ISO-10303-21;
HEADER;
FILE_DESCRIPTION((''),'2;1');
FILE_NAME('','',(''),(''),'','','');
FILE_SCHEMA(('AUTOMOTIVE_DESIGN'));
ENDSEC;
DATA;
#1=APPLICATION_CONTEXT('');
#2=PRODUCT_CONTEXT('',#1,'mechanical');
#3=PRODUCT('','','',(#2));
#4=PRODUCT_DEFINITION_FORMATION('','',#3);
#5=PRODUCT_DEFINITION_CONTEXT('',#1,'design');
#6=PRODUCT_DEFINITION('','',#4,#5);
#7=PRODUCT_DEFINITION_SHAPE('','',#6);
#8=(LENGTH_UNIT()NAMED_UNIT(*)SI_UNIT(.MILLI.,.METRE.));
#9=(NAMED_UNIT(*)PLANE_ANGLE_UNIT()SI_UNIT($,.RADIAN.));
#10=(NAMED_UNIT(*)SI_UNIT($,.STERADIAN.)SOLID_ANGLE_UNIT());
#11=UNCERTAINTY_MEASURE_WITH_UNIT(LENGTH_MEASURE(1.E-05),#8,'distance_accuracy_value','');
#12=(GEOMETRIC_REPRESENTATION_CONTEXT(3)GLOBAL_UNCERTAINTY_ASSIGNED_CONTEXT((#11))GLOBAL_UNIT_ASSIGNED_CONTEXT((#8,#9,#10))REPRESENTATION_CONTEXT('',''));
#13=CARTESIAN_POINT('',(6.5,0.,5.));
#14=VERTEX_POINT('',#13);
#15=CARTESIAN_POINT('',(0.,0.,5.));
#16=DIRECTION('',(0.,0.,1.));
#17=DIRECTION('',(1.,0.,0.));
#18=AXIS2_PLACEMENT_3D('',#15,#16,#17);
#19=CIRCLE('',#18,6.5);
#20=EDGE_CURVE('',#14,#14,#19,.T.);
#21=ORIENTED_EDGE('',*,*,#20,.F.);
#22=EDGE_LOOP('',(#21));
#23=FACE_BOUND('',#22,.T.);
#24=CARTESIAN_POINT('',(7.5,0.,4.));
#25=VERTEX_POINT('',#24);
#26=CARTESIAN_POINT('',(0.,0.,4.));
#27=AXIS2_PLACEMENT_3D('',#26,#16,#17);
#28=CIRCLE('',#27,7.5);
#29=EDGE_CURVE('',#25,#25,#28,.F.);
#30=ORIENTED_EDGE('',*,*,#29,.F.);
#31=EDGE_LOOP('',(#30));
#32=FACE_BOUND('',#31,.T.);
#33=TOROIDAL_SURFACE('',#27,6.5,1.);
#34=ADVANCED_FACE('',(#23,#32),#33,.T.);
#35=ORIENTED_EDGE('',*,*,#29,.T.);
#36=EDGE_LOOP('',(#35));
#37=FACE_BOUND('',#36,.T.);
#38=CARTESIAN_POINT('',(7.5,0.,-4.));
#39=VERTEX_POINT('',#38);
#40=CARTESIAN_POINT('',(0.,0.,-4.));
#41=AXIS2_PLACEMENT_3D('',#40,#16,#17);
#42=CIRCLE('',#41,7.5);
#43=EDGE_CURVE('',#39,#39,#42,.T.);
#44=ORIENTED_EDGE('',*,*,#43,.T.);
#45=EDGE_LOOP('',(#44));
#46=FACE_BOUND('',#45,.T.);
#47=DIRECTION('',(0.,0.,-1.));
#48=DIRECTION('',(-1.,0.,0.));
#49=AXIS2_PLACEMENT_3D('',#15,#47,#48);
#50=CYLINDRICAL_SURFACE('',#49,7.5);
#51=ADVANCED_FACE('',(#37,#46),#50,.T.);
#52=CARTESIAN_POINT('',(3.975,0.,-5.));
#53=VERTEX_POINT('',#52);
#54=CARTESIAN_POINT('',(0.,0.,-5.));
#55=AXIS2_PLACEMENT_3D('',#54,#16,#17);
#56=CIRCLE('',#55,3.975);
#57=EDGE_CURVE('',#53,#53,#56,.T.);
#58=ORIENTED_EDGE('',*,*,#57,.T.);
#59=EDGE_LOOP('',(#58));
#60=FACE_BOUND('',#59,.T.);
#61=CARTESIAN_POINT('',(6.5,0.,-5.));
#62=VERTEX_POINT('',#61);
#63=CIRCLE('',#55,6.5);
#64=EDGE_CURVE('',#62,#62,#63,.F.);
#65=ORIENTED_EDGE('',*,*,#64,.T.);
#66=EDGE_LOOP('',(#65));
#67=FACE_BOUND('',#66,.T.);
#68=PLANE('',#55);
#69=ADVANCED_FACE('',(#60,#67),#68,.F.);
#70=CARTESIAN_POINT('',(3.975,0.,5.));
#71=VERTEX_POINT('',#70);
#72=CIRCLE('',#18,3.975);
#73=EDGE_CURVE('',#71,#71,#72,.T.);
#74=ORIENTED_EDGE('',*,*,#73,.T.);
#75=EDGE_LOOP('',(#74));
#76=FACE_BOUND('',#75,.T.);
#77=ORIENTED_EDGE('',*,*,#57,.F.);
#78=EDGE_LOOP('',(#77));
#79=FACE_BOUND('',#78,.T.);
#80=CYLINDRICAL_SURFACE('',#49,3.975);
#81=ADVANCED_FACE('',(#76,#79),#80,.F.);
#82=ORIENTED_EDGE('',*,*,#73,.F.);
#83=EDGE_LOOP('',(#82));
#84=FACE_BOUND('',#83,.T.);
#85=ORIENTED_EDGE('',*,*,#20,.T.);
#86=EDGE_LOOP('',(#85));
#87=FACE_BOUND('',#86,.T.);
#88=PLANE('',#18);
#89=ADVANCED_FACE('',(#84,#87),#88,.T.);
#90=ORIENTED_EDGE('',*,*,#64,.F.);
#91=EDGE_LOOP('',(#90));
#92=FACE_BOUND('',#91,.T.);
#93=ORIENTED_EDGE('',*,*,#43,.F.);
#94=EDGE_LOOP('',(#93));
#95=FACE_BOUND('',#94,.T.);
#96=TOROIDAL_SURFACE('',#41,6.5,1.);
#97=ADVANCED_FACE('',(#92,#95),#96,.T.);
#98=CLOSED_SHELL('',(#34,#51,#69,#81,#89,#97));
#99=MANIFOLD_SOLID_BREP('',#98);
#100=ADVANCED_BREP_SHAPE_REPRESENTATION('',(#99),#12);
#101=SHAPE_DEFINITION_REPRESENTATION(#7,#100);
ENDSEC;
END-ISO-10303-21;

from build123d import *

# Parameters (mm, degrees)
CROQUIS1_R              = 7.5
CROQUIS1_R_2            = 3.975
SALIENTE_EXTRUIR1_DEPTH = 5
REDONDEO2_R             = 1


with BuildPart() as part:
    # Croquis1 → Saliente-Extruir1 (new body, symmetric)
    with BuildSketch(Plane.XY):
        Circle(CROQUIS1_R)
        Circle(CROQUIS1_R_2, mode=Mode.SUBTRACT)
    extrude(amount=SALIENTE_EXTRUIR1_DEPTH, both=True)

    # Redondeo2
    redondeo2_edges = [part.edges().sort_by_distance(p)[0] for p in [
        (-7.5, 0, -5),
        (-7.5, 0, 5),
    ]]
    fillet(redondeo2_edges, radius=REDONDEO2_R)


solid = part.part
